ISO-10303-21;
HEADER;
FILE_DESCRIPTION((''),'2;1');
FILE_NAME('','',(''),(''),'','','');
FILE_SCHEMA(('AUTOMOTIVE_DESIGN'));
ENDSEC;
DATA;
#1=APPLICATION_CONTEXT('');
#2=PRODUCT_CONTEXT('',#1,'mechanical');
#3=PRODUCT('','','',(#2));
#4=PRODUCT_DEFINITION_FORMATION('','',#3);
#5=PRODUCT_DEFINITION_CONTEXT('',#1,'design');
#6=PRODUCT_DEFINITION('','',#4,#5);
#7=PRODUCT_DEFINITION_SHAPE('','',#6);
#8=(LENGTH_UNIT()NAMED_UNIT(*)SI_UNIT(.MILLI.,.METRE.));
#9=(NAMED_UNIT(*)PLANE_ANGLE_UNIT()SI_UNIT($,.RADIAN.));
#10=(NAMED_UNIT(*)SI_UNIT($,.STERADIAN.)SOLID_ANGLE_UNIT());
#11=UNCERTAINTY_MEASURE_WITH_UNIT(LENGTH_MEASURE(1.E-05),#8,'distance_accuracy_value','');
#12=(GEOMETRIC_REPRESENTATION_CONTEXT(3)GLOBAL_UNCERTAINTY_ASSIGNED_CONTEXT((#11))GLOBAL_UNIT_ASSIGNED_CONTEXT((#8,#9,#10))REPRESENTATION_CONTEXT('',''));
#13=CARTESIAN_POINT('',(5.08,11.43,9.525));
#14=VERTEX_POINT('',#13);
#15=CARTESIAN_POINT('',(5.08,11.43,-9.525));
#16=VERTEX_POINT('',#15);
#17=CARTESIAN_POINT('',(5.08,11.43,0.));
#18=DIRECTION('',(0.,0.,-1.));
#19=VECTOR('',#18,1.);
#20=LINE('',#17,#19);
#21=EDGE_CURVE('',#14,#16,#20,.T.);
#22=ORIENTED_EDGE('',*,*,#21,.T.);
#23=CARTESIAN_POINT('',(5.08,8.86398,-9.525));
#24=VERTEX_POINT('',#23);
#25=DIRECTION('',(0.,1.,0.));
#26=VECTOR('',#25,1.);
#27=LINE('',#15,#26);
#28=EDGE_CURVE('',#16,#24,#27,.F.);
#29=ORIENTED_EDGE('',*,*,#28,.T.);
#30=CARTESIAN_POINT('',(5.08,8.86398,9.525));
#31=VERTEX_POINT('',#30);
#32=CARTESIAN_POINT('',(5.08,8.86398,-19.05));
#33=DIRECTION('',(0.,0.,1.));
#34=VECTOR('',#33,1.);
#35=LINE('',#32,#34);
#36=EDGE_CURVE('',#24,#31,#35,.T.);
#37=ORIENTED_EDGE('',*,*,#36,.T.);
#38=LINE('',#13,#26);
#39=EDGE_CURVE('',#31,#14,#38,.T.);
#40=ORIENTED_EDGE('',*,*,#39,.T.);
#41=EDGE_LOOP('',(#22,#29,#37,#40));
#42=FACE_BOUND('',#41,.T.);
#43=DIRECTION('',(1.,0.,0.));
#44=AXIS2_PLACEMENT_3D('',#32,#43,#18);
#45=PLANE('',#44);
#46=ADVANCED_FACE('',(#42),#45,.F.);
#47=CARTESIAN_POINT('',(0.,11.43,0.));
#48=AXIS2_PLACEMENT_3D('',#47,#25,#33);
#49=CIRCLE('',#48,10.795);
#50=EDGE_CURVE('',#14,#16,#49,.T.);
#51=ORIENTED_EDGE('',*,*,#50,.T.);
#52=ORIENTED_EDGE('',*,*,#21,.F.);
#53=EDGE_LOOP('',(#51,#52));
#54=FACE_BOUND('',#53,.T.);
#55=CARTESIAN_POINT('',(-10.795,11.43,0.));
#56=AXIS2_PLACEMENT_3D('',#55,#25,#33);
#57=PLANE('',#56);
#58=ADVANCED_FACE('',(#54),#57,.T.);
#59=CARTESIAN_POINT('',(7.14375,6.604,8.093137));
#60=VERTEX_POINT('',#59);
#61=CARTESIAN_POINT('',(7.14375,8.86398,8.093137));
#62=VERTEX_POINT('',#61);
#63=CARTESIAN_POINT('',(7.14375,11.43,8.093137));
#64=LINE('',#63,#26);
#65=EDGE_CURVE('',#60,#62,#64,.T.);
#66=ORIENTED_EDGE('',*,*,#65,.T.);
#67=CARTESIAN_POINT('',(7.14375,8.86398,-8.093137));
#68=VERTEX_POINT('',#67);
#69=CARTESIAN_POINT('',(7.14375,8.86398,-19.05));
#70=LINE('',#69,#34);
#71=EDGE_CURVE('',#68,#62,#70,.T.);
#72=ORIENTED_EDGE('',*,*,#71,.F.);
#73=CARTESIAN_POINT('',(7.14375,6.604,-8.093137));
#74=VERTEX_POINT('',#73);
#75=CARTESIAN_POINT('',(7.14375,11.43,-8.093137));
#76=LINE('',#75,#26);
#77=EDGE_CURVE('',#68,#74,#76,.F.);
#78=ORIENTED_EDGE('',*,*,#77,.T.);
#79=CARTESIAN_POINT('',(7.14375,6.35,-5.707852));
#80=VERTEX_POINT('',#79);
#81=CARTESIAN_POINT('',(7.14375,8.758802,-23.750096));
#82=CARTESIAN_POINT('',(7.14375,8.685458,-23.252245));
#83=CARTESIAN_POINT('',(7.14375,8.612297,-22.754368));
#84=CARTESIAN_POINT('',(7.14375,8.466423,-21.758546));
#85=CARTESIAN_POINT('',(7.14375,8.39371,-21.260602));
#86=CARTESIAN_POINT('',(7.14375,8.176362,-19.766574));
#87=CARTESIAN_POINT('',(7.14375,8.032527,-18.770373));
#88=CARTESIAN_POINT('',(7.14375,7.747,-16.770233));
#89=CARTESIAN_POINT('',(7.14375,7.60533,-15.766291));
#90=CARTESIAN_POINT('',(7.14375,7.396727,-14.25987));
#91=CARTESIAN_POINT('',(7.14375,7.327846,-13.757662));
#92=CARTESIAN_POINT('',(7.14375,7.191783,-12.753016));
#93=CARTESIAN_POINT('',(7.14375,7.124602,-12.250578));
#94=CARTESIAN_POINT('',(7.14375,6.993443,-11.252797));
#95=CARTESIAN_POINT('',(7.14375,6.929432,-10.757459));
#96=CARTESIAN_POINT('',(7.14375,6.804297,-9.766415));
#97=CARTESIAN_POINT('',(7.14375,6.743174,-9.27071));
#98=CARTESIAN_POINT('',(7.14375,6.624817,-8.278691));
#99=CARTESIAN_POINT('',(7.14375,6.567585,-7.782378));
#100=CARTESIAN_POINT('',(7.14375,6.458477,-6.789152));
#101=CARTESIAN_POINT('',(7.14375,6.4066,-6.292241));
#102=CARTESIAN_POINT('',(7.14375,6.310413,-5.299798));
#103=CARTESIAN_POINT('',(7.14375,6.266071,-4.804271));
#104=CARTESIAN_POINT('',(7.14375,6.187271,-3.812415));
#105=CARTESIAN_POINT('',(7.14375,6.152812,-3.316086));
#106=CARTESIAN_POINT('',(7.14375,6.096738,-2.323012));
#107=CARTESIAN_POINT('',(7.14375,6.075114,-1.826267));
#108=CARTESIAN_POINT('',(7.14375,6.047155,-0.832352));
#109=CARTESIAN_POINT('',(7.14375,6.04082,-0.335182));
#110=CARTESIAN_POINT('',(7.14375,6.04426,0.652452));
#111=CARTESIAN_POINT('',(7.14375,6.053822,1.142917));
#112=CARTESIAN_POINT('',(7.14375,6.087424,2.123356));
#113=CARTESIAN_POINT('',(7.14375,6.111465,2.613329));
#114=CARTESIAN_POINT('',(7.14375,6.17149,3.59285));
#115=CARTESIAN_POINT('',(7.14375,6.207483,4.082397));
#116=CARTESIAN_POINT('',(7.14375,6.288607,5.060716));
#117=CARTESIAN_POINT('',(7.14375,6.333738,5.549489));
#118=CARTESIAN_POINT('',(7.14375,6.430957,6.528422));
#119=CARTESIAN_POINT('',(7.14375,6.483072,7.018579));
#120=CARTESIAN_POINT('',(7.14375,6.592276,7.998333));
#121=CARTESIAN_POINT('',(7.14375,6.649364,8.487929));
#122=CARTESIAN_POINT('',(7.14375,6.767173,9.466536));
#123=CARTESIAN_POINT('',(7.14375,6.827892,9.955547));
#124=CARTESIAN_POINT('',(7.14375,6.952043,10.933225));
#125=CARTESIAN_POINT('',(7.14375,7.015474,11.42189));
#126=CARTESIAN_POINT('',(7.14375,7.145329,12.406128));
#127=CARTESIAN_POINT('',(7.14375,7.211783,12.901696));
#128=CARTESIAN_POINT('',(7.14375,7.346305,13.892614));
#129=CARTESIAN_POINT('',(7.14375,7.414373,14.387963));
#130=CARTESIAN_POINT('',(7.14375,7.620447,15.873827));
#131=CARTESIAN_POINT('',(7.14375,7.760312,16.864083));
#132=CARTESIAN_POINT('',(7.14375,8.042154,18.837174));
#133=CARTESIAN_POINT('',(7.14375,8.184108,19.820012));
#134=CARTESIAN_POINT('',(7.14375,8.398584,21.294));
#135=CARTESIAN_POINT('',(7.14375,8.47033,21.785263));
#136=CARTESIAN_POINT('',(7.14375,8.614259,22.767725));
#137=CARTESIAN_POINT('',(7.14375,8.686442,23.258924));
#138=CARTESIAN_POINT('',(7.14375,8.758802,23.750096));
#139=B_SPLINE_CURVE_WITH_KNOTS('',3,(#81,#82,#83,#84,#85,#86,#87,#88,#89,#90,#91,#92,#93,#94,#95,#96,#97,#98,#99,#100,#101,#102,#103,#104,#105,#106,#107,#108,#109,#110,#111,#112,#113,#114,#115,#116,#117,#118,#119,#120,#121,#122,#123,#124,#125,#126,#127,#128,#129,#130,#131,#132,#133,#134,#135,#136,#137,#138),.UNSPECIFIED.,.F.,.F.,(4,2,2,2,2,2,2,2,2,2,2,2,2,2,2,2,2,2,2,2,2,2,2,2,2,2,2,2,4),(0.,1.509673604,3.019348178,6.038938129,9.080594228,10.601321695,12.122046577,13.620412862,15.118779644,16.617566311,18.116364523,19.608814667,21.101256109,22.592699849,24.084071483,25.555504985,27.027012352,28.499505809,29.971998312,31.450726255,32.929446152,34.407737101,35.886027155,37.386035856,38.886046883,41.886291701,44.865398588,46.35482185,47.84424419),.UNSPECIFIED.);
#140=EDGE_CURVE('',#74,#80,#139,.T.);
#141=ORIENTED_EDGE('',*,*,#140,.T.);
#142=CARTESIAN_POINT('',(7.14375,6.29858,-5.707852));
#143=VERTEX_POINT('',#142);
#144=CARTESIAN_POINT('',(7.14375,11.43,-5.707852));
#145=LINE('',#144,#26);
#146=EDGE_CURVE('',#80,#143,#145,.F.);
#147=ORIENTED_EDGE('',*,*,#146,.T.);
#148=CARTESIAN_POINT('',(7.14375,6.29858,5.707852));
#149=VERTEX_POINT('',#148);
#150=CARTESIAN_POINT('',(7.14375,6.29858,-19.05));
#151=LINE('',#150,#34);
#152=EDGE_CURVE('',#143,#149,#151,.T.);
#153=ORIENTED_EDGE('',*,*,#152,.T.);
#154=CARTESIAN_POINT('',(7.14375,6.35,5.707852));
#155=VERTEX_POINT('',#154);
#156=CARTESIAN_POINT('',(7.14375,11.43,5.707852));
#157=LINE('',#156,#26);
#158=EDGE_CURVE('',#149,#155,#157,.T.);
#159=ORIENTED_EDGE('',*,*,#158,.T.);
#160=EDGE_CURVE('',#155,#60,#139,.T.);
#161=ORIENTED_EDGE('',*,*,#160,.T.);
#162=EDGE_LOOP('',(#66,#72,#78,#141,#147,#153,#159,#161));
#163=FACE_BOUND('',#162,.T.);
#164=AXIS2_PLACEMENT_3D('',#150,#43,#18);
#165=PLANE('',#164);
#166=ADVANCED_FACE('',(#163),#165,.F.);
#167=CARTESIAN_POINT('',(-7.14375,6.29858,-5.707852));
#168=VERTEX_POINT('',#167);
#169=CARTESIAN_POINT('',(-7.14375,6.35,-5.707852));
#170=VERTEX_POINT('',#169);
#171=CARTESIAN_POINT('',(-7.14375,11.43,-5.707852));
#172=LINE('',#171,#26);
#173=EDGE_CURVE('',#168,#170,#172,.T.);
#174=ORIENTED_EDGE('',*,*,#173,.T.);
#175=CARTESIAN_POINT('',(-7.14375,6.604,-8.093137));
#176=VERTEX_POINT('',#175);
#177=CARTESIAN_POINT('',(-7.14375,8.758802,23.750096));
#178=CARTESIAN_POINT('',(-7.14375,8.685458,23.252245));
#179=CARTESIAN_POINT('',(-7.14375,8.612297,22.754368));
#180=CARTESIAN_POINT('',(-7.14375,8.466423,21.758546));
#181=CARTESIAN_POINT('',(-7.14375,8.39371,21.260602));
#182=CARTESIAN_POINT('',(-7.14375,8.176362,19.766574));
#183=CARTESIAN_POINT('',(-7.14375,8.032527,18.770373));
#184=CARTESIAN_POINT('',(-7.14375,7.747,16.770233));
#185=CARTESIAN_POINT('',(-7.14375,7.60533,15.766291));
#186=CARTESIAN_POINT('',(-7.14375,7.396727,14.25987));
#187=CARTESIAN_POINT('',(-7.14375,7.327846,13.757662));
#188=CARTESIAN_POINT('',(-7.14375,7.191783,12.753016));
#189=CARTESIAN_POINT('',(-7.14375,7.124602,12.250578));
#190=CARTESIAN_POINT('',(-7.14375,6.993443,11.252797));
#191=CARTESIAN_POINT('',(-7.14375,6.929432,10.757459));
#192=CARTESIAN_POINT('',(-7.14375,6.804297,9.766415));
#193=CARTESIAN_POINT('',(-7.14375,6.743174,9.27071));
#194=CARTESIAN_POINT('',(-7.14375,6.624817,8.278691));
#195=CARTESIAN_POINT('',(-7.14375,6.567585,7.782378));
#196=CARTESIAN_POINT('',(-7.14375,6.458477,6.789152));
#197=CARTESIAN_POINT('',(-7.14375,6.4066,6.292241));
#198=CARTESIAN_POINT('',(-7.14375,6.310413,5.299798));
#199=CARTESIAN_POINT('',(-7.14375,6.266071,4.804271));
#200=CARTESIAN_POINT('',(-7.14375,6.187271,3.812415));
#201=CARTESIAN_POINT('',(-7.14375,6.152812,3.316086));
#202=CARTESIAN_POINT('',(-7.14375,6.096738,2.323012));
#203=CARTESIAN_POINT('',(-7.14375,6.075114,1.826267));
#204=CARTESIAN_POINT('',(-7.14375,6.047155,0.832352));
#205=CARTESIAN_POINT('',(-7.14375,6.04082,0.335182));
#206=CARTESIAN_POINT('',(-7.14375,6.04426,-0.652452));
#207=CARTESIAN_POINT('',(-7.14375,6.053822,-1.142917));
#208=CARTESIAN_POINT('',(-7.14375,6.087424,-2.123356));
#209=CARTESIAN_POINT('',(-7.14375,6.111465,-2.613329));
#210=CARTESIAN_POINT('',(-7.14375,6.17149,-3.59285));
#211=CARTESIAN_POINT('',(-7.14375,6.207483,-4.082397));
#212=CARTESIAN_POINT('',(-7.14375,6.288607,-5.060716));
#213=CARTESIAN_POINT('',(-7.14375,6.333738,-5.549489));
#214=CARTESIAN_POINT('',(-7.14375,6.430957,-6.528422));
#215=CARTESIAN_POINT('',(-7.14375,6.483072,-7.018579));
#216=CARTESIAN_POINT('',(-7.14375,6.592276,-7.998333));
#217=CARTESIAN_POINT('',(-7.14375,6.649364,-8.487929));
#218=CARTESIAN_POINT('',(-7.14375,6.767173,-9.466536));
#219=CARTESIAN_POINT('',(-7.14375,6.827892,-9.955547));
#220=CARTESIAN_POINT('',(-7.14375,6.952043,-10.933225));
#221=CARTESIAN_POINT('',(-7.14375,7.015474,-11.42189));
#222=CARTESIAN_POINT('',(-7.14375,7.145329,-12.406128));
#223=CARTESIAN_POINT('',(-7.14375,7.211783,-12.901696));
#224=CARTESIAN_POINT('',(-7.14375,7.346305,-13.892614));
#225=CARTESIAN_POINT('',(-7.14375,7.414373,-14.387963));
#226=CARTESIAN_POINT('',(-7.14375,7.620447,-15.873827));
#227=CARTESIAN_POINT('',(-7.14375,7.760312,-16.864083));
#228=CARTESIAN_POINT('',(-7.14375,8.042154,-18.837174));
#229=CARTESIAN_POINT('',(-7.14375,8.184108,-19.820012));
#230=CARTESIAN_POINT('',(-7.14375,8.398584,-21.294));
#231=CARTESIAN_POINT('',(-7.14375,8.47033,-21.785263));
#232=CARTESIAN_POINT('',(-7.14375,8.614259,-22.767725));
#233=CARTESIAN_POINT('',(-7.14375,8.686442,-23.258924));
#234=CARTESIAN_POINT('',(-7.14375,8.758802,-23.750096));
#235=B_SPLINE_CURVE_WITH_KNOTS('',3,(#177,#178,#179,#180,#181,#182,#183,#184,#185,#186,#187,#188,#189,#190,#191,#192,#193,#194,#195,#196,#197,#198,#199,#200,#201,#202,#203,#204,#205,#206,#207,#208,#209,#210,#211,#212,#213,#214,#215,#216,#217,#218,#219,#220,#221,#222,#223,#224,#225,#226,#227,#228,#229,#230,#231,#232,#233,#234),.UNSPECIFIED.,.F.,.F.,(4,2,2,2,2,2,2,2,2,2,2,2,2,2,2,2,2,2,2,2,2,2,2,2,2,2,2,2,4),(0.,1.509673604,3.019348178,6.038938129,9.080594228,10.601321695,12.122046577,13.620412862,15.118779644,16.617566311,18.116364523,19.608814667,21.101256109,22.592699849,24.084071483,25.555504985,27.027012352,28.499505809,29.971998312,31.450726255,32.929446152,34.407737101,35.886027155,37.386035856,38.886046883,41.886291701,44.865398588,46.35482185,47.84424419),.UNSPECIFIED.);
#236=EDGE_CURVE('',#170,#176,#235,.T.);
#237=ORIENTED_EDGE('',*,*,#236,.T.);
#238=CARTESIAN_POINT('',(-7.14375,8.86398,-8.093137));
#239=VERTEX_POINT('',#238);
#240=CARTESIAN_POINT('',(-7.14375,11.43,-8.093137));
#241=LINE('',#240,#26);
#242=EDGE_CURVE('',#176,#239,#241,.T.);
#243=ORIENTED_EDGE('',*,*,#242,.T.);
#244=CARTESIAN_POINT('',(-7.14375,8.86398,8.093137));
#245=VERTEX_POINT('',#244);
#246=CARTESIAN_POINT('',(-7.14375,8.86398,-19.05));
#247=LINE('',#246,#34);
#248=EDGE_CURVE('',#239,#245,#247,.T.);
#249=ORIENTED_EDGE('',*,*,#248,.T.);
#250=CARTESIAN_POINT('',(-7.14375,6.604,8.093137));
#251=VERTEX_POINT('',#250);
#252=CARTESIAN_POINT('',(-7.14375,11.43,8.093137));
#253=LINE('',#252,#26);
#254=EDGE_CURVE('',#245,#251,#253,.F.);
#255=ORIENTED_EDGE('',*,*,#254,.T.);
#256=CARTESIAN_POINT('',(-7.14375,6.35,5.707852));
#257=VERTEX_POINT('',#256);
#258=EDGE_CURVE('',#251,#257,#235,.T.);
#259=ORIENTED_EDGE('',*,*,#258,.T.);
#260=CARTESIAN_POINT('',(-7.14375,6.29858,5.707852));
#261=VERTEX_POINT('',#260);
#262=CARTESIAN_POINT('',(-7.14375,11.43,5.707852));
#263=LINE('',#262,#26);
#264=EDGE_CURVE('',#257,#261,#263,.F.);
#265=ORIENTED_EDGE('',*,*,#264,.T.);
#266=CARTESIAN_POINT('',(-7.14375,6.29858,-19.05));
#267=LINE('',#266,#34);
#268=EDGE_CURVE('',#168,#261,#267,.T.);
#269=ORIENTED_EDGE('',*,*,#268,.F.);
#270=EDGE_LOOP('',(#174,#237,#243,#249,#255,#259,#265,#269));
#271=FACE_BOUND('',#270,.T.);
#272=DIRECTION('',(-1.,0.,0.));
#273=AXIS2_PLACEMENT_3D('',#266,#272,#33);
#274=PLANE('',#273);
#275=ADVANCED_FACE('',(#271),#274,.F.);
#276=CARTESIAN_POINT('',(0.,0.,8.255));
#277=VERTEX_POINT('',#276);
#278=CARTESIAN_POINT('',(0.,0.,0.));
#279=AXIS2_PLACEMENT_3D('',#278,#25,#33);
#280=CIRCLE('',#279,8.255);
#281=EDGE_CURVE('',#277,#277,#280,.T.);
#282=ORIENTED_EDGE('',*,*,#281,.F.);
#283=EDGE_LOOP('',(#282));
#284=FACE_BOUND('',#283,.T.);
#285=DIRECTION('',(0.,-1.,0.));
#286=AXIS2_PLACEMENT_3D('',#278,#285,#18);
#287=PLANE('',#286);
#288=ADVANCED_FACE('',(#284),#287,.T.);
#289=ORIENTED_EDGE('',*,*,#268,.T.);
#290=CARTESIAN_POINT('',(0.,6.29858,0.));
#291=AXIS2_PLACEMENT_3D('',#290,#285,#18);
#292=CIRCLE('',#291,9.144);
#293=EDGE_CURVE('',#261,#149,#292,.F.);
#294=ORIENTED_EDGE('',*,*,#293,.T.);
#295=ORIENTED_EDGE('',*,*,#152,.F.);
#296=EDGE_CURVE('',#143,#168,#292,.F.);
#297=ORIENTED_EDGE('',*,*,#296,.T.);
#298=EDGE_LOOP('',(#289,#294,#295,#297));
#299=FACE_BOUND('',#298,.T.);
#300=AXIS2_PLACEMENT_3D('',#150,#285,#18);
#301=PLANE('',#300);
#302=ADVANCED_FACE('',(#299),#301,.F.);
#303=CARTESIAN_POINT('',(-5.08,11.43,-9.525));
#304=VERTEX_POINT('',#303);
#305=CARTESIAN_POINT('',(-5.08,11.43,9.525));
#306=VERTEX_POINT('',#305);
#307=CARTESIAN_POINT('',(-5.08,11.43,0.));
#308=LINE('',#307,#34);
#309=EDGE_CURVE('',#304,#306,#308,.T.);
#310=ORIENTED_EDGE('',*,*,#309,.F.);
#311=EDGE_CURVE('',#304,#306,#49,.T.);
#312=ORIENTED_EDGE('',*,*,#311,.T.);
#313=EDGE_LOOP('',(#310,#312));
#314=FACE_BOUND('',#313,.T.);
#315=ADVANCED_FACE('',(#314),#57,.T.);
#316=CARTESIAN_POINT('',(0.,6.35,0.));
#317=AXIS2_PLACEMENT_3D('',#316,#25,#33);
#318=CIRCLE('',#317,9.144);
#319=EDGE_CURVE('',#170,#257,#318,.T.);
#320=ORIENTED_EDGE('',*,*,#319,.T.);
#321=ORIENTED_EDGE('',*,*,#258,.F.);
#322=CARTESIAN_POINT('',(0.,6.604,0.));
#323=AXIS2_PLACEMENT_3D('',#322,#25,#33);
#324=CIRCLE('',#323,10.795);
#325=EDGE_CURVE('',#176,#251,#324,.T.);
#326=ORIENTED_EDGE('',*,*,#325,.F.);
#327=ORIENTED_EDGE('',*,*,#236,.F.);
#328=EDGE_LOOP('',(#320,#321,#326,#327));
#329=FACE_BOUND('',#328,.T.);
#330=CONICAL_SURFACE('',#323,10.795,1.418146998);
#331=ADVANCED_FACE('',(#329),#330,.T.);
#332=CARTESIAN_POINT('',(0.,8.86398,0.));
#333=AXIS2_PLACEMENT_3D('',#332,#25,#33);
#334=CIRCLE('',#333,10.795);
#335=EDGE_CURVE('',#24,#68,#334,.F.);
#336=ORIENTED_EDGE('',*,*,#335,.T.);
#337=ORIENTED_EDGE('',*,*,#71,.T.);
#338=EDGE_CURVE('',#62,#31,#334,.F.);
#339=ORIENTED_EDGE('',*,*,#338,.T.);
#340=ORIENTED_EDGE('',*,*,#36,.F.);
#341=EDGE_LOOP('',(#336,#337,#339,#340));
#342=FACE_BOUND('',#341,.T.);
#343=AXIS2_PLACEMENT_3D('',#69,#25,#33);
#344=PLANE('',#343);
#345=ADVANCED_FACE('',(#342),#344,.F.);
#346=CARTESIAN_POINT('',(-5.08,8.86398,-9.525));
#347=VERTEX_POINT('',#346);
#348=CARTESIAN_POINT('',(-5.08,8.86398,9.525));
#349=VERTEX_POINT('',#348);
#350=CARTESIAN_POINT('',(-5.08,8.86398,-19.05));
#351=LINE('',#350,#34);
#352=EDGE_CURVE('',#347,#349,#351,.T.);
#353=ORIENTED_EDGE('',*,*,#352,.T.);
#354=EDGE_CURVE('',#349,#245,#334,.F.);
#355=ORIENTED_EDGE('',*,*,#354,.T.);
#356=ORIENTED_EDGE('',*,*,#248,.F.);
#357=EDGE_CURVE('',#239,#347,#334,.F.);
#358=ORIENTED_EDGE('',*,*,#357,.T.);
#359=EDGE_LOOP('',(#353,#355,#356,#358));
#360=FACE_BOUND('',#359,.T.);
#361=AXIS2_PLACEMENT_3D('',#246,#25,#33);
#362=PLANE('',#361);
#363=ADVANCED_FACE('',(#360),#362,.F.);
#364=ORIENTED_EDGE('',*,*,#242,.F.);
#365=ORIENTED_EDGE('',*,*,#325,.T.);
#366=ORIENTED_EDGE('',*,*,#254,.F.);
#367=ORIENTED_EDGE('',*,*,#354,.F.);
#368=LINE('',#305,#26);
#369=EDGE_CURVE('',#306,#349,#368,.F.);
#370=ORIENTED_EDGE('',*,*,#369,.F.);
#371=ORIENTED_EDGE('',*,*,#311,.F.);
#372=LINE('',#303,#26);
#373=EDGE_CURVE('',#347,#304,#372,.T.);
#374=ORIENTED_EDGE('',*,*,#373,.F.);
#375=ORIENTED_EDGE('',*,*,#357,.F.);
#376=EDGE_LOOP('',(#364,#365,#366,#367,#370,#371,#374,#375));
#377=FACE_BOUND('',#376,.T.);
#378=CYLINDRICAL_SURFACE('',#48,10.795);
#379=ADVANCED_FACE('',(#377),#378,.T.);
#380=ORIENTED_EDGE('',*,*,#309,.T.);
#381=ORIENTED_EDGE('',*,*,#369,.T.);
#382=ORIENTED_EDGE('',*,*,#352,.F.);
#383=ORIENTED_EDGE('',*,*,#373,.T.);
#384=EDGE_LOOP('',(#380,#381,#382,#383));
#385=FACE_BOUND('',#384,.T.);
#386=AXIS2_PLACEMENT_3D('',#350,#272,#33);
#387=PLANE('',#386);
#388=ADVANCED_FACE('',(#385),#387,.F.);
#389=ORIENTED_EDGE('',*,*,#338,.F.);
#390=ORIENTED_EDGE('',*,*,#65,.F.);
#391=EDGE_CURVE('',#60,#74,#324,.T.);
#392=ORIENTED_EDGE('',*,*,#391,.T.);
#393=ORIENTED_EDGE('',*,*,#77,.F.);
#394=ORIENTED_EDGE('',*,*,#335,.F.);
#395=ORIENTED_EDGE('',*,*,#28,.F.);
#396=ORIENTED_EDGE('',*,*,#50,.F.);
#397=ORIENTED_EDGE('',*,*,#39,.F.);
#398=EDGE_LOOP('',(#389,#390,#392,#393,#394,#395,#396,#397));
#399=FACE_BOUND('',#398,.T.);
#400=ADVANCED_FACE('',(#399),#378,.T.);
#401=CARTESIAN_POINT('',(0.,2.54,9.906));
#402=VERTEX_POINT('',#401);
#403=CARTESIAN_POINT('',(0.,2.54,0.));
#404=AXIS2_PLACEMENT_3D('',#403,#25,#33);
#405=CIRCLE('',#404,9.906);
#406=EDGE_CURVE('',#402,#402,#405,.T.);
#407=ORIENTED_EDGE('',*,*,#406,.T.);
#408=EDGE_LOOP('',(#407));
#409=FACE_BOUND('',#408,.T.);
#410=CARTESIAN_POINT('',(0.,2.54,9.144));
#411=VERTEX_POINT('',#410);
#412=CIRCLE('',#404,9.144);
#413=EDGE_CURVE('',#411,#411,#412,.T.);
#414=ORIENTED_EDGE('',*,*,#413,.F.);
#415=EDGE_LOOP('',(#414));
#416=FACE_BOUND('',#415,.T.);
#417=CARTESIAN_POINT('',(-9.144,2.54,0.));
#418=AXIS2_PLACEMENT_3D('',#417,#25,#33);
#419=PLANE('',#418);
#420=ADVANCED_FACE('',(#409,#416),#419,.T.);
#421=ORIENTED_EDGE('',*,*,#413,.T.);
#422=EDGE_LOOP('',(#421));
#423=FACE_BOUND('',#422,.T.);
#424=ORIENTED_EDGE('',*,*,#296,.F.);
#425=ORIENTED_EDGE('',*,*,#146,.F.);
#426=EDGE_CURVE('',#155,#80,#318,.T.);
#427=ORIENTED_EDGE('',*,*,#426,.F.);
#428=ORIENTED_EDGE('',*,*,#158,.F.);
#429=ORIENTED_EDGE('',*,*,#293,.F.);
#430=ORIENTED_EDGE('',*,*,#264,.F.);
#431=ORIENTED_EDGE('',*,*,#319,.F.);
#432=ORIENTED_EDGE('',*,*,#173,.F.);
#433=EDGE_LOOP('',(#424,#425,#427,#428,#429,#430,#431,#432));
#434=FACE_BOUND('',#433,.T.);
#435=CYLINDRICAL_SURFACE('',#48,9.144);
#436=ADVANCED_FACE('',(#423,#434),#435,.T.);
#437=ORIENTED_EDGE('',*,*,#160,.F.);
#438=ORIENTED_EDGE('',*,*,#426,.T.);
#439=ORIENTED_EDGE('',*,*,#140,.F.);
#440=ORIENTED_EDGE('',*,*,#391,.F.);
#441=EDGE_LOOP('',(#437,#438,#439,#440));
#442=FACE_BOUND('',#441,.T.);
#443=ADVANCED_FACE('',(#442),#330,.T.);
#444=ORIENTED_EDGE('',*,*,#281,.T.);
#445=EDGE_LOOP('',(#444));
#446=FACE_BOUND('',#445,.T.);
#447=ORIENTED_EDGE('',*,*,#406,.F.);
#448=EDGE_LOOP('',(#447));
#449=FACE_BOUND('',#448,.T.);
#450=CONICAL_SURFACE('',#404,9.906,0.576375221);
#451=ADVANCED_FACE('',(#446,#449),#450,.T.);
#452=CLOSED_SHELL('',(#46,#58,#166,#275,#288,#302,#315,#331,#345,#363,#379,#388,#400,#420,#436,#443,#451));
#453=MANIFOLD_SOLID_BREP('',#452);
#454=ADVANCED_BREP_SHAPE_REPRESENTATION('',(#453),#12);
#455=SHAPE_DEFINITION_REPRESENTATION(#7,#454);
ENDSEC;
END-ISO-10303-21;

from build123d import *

# Parameters (mm, degrees)
CUT_EXTRUDE1_DEPTH = 19.05


with BuildPart() as part:
    # Sketch1 → Revolve1 (revolve)
    with BuildSketch(Plane.XY, mode=Mode.PRIVATE) as revolve1_sk:
        Polygon((0, 0), (-8.255, 0), (-9.906, 2.54), (-9.144, 2.54), (-9.144, 6.35), (-10.795, 6.604), (-10.795, 11.43), (0, 11.43), align=None)
    revolve(revolve1_sk.sketch.rotate(Axis((0, 11.43, 0), (0, -1, 0)), 270), axis=Axis((0, 11.43, 0), (0, -1, 0)))  # turned: the seam where the file's is

    # Sketch2 → Cut-Extrude1 (cut, symmetric)
    with BuildSketch(Plane.XY):
        Polygon((7.14375, 6.298580206), (-7.14375, 6.298580206), (-7.14375, 8.863980206), (-5.08, 8.863980206), (-5.08, 11.43), (5.08, 11.43), (5.08, 8.863980206), (7.14375, 8.863980206), align=None)
    extrude(amount=CUT_EXTRUDE1_DEPTH, both=True, mode=Mode.SUBTRACT)


solid = part.part
